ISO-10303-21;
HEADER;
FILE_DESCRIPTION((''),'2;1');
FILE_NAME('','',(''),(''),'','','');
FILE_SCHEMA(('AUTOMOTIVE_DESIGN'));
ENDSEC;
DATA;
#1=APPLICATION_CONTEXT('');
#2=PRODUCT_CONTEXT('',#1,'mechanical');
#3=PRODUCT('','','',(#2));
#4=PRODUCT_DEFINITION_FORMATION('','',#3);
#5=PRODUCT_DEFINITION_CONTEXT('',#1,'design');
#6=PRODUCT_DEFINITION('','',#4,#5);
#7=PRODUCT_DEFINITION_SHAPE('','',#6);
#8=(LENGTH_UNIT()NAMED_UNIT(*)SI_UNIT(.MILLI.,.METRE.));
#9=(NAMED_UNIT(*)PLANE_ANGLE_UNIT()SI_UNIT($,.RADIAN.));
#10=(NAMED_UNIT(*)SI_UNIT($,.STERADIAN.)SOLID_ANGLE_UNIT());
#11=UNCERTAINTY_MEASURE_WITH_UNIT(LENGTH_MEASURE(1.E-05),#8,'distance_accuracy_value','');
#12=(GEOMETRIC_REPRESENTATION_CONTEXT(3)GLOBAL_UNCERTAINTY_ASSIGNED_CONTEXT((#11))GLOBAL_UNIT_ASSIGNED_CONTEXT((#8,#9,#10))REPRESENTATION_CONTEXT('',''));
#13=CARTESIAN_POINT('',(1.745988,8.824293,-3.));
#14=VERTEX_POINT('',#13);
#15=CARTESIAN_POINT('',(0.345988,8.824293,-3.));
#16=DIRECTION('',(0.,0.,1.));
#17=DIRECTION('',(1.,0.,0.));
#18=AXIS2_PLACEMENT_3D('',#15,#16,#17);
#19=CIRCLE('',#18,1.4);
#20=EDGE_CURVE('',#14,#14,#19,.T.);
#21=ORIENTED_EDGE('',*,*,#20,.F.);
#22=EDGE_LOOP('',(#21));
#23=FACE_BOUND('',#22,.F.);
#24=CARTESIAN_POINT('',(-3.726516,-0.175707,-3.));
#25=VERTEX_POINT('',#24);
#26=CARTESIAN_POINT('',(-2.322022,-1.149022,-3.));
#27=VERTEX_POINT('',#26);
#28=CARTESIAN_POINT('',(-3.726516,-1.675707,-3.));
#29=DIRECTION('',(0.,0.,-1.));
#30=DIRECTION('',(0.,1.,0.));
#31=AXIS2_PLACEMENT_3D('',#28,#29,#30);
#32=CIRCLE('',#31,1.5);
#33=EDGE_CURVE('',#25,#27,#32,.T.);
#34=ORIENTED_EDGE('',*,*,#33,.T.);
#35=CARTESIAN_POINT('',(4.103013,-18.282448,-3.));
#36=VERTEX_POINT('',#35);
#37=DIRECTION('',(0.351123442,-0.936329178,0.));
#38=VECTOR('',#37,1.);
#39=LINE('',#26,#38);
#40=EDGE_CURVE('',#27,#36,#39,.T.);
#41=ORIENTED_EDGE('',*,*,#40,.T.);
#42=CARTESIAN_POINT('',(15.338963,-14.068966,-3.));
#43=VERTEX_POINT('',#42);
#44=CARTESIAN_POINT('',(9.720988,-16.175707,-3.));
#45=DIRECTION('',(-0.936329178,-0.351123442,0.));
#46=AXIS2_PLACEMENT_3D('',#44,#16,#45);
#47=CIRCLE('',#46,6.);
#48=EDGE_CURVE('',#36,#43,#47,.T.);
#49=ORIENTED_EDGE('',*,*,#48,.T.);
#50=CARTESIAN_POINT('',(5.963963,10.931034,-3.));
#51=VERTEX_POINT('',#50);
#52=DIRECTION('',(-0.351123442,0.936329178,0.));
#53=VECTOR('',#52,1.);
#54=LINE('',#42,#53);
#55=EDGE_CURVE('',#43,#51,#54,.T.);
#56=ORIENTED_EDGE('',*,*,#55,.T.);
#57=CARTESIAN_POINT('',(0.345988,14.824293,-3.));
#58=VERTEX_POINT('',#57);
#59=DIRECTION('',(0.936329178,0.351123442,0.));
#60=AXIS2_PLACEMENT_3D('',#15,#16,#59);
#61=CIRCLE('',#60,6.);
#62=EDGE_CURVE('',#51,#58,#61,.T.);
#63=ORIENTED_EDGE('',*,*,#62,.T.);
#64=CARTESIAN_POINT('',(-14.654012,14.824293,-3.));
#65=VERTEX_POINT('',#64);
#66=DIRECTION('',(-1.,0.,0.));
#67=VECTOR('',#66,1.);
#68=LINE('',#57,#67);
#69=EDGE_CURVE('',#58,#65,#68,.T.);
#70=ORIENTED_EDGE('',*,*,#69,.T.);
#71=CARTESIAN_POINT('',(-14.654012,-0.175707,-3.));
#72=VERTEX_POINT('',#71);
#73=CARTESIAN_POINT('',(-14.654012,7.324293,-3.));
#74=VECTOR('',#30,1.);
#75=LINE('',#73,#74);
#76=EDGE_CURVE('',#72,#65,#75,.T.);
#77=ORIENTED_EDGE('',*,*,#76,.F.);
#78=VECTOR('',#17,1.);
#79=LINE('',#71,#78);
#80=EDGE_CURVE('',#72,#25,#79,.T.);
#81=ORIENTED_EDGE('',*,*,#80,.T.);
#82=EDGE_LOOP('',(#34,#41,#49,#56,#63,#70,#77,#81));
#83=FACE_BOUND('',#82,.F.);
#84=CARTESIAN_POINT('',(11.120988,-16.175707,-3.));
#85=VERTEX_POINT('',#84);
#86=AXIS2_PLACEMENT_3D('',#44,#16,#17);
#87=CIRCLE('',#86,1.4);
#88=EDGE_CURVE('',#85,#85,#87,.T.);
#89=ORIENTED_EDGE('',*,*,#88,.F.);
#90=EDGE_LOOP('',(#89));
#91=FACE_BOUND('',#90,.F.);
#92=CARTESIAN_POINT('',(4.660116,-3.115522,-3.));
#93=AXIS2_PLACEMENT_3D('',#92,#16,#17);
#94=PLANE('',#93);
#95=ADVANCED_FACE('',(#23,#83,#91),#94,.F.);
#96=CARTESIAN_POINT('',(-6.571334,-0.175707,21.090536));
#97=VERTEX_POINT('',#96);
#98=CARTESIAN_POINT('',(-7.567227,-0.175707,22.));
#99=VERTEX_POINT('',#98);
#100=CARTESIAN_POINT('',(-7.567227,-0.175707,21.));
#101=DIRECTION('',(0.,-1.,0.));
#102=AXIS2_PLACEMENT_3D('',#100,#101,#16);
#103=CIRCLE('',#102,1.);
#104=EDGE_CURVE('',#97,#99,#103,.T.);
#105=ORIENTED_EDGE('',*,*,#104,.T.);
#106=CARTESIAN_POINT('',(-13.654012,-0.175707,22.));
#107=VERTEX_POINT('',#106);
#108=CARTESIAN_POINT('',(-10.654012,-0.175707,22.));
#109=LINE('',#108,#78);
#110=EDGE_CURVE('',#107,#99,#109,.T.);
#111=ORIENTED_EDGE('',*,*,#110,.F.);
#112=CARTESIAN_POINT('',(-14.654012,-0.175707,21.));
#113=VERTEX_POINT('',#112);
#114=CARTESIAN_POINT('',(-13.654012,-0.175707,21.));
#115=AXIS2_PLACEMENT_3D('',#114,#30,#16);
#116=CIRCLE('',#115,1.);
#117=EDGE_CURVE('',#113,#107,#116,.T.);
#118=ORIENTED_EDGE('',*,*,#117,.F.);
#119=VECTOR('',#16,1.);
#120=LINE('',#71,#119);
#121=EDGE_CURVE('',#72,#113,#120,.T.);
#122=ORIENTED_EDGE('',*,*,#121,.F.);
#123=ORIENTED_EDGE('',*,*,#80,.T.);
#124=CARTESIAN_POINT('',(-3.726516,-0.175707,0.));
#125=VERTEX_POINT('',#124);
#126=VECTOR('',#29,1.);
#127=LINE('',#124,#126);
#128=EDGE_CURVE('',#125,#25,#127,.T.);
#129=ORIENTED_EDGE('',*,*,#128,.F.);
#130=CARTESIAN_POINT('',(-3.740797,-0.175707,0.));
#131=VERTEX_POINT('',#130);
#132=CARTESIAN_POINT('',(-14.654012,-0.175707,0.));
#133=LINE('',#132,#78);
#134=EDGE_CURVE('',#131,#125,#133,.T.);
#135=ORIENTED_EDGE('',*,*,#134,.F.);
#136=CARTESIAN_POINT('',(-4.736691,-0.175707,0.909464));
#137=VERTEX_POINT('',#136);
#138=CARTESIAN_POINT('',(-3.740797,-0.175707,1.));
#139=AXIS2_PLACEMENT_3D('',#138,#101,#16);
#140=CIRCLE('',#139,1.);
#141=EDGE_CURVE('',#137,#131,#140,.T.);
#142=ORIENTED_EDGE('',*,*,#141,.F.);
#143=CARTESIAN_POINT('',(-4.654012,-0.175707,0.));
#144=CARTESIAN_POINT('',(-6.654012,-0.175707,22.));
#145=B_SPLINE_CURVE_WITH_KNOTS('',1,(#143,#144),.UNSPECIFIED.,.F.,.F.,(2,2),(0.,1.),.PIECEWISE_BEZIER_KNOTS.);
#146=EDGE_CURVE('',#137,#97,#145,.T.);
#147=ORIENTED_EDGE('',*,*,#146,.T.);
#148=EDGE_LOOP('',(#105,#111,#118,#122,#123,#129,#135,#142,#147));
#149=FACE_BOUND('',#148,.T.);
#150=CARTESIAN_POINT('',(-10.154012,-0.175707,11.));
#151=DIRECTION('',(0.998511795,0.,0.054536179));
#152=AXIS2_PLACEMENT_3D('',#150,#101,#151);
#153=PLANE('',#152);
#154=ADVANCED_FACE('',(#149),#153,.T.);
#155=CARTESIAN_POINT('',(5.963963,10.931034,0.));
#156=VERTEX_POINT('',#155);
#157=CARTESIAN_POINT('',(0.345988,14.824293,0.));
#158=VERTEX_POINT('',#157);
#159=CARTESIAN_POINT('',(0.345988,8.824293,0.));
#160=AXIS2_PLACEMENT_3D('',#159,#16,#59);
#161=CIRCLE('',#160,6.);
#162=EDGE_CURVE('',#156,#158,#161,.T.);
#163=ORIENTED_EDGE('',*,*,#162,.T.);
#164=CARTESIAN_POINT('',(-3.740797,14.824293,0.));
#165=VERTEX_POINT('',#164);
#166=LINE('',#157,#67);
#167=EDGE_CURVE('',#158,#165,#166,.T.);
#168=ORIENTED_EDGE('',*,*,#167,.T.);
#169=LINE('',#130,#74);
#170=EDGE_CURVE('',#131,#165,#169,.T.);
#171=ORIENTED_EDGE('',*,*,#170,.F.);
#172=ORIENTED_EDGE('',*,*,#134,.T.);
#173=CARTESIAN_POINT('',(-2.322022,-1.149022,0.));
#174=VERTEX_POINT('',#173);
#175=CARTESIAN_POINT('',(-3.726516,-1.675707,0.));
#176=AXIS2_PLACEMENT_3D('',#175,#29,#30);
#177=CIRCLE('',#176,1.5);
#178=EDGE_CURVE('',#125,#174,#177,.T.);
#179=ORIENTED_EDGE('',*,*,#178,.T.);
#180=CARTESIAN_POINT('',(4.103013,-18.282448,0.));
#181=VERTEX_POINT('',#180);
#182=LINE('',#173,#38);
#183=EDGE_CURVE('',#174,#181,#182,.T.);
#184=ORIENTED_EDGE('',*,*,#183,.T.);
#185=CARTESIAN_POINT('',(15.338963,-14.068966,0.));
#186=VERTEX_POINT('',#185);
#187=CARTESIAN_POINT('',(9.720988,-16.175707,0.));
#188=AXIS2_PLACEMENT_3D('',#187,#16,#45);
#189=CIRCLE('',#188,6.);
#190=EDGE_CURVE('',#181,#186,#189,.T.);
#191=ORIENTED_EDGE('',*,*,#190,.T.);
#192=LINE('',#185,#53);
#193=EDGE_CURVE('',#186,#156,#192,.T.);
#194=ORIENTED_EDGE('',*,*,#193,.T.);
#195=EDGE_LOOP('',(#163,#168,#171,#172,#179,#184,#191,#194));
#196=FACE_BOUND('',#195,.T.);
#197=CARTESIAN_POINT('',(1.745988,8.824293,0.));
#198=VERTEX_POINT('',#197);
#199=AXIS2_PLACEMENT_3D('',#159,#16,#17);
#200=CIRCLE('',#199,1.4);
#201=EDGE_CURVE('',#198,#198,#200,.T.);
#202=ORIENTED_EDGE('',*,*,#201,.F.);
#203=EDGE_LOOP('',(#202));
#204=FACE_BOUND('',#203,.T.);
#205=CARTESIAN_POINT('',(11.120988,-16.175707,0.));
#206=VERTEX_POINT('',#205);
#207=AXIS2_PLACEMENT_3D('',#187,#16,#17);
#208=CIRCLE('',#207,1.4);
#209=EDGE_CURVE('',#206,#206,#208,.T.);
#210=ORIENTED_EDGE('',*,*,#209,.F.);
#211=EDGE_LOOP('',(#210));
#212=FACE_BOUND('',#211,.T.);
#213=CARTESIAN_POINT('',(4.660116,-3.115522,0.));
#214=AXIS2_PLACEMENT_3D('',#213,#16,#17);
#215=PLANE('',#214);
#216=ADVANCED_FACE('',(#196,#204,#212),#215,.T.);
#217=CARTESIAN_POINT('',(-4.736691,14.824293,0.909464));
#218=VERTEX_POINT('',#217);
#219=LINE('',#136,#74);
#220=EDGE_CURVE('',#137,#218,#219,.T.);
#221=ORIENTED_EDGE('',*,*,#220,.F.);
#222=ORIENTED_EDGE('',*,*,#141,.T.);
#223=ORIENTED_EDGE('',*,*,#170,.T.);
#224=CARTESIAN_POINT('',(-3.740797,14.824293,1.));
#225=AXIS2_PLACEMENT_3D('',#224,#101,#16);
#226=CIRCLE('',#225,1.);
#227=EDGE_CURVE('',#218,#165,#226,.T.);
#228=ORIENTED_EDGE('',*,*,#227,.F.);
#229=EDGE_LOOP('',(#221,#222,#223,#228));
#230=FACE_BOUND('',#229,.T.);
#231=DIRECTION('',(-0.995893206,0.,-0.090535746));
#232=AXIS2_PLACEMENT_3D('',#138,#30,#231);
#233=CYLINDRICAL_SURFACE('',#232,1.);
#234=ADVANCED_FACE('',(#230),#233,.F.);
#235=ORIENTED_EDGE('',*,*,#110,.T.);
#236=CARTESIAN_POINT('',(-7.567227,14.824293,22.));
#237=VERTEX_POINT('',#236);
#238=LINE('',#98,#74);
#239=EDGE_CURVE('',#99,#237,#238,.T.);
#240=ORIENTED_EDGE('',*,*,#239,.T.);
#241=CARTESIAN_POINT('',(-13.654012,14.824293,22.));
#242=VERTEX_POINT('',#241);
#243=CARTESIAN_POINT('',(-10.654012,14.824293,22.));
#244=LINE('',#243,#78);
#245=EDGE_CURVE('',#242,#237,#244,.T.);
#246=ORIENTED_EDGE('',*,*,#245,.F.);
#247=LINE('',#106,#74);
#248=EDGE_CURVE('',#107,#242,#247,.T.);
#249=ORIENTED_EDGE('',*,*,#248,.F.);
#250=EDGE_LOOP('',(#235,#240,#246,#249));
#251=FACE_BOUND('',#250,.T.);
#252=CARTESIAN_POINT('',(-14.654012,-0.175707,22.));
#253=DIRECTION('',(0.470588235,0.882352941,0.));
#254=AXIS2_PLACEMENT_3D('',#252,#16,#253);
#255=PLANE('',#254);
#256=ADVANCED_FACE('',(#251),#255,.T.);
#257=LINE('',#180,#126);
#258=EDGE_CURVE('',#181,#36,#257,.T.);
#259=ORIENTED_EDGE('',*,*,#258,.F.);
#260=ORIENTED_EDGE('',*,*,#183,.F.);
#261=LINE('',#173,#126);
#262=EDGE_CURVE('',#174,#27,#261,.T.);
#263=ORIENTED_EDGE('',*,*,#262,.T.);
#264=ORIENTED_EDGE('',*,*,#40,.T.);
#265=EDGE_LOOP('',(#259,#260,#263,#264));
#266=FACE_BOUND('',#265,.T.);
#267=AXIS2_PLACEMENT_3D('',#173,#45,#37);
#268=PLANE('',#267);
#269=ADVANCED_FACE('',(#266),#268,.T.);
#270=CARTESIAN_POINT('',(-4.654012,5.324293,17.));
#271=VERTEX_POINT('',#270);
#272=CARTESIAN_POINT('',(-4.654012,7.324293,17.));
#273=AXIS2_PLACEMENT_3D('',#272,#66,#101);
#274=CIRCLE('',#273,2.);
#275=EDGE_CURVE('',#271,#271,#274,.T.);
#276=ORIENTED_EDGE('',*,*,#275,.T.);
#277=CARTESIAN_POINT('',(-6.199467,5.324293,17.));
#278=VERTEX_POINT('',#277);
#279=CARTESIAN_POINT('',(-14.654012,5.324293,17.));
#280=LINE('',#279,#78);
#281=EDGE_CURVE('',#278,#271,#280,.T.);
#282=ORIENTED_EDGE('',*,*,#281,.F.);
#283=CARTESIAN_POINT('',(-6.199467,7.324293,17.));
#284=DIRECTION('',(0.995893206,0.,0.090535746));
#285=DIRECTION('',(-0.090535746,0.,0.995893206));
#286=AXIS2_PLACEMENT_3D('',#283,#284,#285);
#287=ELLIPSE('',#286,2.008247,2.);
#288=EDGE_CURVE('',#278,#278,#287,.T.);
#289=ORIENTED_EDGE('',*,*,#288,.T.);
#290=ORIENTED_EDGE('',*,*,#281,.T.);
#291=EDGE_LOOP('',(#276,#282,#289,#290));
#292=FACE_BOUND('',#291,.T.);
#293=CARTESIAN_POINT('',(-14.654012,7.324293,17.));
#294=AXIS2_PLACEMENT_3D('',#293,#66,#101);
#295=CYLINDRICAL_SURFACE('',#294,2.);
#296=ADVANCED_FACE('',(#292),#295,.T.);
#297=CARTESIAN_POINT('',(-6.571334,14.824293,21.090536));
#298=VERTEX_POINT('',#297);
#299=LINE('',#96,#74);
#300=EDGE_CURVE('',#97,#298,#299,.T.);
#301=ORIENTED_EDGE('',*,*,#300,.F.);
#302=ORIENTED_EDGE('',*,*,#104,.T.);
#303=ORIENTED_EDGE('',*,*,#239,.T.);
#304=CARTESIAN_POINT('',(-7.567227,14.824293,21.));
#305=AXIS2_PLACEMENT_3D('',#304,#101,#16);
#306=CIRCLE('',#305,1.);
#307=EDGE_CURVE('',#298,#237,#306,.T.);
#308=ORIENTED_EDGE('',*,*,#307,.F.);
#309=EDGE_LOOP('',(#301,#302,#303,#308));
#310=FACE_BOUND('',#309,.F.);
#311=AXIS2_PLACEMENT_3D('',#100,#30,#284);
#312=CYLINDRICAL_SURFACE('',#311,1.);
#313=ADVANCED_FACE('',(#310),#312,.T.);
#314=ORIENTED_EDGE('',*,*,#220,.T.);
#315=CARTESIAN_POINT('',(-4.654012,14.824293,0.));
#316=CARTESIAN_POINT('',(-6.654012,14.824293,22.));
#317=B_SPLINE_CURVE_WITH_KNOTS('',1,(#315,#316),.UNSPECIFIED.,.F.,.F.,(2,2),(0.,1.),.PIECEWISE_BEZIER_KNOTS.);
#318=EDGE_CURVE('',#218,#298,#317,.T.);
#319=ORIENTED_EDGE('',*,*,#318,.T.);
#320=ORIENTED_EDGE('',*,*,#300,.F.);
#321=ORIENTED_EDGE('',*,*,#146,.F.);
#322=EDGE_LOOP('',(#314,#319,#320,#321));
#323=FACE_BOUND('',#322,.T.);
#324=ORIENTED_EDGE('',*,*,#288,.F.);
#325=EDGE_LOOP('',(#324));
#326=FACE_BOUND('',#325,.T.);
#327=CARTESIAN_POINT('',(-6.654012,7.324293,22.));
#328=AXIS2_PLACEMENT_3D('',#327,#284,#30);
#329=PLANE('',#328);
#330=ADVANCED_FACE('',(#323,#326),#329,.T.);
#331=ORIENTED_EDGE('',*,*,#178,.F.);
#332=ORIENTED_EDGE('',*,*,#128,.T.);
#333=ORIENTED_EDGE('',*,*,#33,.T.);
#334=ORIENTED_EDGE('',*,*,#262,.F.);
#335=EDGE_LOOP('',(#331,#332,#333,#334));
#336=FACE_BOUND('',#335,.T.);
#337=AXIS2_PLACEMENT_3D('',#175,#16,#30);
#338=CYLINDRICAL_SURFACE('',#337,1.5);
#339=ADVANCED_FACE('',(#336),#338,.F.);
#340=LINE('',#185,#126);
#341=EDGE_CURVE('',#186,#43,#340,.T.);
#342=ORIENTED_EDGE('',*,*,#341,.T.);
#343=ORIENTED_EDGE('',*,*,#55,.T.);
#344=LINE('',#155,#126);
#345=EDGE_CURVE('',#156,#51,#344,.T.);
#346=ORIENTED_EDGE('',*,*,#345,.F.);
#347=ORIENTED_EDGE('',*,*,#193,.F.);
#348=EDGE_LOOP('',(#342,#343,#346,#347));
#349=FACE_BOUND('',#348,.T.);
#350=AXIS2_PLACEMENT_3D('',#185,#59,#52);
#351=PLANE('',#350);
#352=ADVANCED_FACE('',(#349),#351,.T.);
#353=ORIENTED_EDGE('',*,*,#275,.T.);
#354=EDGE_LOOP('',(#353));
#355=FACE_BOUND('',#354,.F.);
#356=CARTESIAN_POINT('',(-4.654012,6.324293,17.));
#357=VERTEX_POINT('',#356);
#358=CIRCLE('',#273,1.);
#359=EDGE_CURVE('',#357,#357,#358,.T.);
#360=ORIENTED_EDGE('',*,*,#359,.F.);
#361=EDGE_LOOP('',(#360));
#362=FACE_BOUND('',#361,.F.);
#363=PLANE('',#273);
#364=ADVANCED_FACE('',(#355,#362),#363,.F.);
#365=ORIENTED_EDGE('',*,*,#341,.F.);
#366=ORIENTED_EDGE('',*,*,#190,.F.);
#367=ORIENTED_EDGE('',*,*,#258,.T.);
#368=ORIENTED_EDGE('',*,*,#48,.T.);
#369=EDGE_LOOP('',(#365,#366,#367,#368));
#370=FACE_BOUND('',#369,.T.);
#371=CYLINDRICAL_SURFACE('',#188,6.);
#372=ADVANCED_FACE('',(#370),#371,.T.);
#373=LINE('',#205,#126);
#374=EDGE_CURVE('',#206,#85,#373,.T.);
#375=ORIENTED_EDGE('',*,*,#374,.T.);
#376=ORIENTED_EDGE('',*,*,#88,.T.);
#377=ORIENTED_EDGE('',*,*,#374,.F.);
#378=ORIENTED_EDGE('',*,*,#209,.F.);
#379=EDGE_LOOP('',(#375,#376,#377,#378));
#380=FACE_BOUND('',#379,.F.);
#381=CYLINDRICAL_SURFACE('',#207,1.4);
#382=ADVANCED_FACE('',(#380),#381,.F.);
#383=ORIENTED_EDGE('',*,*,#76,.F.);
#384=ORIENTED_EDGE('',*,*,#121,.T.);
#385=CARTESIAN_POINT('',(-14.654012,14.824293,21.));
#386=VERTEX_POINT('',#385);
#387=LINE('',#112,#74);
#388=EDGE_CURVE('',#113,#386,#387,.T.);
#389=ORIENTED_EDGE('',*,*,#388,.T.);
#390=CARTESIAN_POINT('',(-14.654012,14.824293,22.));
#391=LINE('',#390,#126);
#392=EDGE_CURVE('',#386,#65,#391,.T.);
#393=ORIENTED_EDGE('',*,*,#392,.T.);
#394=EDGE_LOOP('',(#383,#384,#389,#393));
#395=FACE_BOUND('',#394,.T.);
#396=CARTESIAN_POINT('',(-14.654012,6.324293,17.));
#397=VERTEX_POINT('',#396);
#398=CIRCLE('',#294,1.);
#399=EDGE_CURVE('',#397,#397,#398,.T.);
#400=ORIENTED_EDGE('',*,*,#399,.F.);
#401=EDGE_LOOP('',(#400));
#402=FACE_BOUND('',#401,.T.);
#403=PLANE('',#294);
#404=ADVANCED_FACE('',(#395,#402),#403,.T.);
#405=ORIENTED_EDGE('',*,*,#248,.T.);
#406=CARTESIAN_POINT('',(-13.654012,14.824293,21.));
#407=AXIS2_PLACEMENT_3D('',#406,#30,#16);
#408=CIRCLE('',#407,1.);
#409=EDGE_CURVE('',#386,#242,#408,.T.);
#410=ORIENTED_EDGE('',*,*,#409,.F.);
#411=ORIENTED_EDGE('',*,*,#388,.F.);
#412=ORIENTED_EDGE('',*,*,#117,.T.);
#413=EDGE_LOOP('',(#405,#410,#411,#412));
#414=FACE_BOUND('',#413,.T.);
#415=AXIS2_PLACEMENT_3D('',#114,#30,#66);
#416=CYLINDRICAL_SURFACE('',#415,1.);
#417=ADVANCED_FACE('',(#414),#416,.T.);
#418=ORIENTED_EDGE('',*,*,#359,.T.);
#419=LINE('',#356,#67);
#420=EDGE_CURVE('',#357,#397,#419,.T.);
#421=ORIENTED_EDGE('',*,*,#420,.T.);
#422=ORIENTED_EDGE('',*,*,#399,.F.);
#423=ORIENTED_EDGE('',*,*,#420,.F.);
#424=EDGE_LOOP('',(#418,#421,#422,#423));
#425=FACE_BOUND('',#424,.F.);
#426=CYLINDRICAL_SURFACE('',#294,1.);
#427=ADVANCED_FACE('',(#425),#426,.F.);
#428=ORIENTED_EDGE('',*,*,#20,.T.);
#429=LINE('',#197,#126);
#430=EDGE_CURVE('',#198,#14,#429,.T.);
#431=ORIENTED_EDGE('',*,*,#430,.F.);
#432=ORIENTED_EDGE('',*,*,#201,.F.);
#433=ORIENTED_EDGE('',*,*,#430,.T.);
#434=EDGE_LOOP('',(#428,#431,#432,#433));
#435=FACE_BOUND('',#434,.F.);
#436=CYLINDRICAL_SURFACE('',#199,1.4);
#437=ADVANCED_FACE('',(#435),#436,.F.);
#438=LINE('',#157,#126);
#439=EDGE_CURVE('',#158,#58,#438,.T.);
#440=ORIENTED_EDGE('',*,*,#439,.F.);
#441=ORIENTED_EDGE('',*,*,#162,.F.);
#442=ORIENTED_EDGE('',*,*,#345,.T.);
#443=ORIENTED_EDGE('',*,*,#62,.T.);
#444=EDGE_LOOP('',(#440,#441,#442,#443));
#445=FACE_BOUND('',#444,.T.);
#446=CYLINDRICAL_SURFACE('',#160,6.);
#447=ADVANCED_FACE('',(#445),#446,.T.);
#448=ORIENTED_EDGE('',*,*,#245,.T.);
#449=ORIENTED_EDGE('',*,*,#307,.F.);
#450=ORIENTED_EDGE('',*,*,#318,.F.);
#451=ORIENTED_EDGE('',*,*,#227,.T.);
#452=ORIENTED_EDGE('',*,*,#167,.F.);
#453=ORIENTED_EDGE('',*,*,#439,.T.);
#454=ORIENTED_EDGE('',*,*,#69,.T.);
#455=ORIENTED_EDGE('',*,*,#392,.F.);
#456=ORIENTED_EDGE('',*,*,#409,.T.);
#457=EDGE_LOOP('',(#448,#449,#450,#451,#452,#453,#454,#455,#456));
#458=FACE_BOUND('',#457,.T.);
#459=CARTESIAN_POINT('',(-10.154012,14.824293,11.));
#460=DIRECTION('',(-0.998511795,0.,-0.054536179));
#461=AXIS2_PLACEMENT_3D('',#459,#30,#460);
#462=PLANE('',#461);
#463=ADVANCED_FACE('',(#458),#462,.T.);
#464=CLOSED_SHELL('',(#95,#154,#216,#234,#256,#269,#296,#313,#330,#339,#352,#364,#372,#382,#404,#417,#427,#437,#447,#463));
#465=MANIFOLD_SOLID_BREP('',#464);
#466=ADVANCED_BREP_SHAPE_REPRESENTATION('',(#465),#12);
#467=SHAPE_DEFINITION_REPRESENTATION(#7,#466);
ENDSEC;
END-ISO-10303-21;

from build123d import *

# Parameters (mm, degrees)
F0_R     = 1.4
F0_W     = 10
F0_H     = 15
F3_DEPTH = 3
F2_W     = 8
F2_H     = 15
F5_R     = 2
F5_R_2   = 1
F6_DEPTH = 10
F7_DEPTH = 15
F8_R     = 1


with BuildPart() as f3:
    # F0 (on Top) → F3 (new body)
    with BuildSketch(Plane.XY):
        with BuildLine():
            Line((-2.3220218662, -1.1490219488), (4.1030128133, -18.2824477607))
            ThreePointArc((4.1030128133, -18.2824477607), (11.8277285282, -21.7936821766), (15.3389629441, -14.0689664616))
            Line((15.3389629441, -14.0689664616), (5.9639629441, 10.9310335384))
            ThreePointArc((5.9639629441, 10.9310335384), (3.7635569052, 13.7558465942), (0.3459878787, 14.8242928889))
            Line((0.3459878787, 14.8242928889), (-4.6540121213, 14.8242928889))
            Line((-4.6540121213, 14.8242928889), (-4.6540121213, -0.1757071111))
            Line((-4.6540121213, -0.1757071111), (-3.7265156326, -0.1757071111))
            ThreePointArc((-3.7265156326, -0.1757071111), (-2.8721233759, -0.4428186848), (-2.3220218662, -1.1490219488))
        make_face()
        with Locations((9.7209878787, -16.1757071111)):
            Circle(F0_R, mode=Mode.SUBTRACT)
        with Locations((0.3459878787, 8.8242928889)):
            Circle(F0_R, mode=Mode.SUBTRACT)
        with Locations((-9.6540121213, 7.3242928889)):
            Rectangle(F0_W, F0_H)
    extrude(amount=-F3_DEPTH)

    # F0 (on Top) → F4 section 0
    with BuildSketch(Plane.XY):
        with Locations((-9.6540121213, 7.3242928889)):
            Rectangle(F0_W, F0_H)
    # F2 (on offset) → F4 section 1
    with BuildSketch(Plane.XY.offset(22)):
        with Locations((-10.6540121213, 7.3242928889)):
            Rectangle(F2_W, F2_H)
    loft()

    # F5 (on face) → F6 (join)
    with BuildSketch(Plane(origin=(-14.6540121213, 0, 0), x_dir=(0, -1, 0), z_dir=(-1, 0, 0))):
        with Locations((-7.3242928889, 17)):
            Circle(F5_R)
        with Locations((-7.3242928889, 17)):
            Circle(F5_R_2, mode=Mode.SUBTRACT)
    extrude(amount=-F6_DEPTH)

    # F5 (on face) → F7 (cut)
    with BuildSketch(Plane(origin=(-14.6540121213, 0, 0), x_dir=(0, -1, 0), z_dir=(-1, 0, 0))):
        with Locations((-7.3242928889, 17)):
            Circle(F5_R_2)
    extrude(amount=-F7_DEPTH, mode=Mode.SUBTRACT)

    # F8
    f8_edges = [f3.edges().sort_by_distance(p)[0] for p in [
        (-6.654012, 7.324293, 22),
        (-4.654012, 7.324293, 0),
        (-14.654012, 7.324293, 22),
    ]]
    fillet(f8_edges, radius=F8_R)


solid = f3.part
